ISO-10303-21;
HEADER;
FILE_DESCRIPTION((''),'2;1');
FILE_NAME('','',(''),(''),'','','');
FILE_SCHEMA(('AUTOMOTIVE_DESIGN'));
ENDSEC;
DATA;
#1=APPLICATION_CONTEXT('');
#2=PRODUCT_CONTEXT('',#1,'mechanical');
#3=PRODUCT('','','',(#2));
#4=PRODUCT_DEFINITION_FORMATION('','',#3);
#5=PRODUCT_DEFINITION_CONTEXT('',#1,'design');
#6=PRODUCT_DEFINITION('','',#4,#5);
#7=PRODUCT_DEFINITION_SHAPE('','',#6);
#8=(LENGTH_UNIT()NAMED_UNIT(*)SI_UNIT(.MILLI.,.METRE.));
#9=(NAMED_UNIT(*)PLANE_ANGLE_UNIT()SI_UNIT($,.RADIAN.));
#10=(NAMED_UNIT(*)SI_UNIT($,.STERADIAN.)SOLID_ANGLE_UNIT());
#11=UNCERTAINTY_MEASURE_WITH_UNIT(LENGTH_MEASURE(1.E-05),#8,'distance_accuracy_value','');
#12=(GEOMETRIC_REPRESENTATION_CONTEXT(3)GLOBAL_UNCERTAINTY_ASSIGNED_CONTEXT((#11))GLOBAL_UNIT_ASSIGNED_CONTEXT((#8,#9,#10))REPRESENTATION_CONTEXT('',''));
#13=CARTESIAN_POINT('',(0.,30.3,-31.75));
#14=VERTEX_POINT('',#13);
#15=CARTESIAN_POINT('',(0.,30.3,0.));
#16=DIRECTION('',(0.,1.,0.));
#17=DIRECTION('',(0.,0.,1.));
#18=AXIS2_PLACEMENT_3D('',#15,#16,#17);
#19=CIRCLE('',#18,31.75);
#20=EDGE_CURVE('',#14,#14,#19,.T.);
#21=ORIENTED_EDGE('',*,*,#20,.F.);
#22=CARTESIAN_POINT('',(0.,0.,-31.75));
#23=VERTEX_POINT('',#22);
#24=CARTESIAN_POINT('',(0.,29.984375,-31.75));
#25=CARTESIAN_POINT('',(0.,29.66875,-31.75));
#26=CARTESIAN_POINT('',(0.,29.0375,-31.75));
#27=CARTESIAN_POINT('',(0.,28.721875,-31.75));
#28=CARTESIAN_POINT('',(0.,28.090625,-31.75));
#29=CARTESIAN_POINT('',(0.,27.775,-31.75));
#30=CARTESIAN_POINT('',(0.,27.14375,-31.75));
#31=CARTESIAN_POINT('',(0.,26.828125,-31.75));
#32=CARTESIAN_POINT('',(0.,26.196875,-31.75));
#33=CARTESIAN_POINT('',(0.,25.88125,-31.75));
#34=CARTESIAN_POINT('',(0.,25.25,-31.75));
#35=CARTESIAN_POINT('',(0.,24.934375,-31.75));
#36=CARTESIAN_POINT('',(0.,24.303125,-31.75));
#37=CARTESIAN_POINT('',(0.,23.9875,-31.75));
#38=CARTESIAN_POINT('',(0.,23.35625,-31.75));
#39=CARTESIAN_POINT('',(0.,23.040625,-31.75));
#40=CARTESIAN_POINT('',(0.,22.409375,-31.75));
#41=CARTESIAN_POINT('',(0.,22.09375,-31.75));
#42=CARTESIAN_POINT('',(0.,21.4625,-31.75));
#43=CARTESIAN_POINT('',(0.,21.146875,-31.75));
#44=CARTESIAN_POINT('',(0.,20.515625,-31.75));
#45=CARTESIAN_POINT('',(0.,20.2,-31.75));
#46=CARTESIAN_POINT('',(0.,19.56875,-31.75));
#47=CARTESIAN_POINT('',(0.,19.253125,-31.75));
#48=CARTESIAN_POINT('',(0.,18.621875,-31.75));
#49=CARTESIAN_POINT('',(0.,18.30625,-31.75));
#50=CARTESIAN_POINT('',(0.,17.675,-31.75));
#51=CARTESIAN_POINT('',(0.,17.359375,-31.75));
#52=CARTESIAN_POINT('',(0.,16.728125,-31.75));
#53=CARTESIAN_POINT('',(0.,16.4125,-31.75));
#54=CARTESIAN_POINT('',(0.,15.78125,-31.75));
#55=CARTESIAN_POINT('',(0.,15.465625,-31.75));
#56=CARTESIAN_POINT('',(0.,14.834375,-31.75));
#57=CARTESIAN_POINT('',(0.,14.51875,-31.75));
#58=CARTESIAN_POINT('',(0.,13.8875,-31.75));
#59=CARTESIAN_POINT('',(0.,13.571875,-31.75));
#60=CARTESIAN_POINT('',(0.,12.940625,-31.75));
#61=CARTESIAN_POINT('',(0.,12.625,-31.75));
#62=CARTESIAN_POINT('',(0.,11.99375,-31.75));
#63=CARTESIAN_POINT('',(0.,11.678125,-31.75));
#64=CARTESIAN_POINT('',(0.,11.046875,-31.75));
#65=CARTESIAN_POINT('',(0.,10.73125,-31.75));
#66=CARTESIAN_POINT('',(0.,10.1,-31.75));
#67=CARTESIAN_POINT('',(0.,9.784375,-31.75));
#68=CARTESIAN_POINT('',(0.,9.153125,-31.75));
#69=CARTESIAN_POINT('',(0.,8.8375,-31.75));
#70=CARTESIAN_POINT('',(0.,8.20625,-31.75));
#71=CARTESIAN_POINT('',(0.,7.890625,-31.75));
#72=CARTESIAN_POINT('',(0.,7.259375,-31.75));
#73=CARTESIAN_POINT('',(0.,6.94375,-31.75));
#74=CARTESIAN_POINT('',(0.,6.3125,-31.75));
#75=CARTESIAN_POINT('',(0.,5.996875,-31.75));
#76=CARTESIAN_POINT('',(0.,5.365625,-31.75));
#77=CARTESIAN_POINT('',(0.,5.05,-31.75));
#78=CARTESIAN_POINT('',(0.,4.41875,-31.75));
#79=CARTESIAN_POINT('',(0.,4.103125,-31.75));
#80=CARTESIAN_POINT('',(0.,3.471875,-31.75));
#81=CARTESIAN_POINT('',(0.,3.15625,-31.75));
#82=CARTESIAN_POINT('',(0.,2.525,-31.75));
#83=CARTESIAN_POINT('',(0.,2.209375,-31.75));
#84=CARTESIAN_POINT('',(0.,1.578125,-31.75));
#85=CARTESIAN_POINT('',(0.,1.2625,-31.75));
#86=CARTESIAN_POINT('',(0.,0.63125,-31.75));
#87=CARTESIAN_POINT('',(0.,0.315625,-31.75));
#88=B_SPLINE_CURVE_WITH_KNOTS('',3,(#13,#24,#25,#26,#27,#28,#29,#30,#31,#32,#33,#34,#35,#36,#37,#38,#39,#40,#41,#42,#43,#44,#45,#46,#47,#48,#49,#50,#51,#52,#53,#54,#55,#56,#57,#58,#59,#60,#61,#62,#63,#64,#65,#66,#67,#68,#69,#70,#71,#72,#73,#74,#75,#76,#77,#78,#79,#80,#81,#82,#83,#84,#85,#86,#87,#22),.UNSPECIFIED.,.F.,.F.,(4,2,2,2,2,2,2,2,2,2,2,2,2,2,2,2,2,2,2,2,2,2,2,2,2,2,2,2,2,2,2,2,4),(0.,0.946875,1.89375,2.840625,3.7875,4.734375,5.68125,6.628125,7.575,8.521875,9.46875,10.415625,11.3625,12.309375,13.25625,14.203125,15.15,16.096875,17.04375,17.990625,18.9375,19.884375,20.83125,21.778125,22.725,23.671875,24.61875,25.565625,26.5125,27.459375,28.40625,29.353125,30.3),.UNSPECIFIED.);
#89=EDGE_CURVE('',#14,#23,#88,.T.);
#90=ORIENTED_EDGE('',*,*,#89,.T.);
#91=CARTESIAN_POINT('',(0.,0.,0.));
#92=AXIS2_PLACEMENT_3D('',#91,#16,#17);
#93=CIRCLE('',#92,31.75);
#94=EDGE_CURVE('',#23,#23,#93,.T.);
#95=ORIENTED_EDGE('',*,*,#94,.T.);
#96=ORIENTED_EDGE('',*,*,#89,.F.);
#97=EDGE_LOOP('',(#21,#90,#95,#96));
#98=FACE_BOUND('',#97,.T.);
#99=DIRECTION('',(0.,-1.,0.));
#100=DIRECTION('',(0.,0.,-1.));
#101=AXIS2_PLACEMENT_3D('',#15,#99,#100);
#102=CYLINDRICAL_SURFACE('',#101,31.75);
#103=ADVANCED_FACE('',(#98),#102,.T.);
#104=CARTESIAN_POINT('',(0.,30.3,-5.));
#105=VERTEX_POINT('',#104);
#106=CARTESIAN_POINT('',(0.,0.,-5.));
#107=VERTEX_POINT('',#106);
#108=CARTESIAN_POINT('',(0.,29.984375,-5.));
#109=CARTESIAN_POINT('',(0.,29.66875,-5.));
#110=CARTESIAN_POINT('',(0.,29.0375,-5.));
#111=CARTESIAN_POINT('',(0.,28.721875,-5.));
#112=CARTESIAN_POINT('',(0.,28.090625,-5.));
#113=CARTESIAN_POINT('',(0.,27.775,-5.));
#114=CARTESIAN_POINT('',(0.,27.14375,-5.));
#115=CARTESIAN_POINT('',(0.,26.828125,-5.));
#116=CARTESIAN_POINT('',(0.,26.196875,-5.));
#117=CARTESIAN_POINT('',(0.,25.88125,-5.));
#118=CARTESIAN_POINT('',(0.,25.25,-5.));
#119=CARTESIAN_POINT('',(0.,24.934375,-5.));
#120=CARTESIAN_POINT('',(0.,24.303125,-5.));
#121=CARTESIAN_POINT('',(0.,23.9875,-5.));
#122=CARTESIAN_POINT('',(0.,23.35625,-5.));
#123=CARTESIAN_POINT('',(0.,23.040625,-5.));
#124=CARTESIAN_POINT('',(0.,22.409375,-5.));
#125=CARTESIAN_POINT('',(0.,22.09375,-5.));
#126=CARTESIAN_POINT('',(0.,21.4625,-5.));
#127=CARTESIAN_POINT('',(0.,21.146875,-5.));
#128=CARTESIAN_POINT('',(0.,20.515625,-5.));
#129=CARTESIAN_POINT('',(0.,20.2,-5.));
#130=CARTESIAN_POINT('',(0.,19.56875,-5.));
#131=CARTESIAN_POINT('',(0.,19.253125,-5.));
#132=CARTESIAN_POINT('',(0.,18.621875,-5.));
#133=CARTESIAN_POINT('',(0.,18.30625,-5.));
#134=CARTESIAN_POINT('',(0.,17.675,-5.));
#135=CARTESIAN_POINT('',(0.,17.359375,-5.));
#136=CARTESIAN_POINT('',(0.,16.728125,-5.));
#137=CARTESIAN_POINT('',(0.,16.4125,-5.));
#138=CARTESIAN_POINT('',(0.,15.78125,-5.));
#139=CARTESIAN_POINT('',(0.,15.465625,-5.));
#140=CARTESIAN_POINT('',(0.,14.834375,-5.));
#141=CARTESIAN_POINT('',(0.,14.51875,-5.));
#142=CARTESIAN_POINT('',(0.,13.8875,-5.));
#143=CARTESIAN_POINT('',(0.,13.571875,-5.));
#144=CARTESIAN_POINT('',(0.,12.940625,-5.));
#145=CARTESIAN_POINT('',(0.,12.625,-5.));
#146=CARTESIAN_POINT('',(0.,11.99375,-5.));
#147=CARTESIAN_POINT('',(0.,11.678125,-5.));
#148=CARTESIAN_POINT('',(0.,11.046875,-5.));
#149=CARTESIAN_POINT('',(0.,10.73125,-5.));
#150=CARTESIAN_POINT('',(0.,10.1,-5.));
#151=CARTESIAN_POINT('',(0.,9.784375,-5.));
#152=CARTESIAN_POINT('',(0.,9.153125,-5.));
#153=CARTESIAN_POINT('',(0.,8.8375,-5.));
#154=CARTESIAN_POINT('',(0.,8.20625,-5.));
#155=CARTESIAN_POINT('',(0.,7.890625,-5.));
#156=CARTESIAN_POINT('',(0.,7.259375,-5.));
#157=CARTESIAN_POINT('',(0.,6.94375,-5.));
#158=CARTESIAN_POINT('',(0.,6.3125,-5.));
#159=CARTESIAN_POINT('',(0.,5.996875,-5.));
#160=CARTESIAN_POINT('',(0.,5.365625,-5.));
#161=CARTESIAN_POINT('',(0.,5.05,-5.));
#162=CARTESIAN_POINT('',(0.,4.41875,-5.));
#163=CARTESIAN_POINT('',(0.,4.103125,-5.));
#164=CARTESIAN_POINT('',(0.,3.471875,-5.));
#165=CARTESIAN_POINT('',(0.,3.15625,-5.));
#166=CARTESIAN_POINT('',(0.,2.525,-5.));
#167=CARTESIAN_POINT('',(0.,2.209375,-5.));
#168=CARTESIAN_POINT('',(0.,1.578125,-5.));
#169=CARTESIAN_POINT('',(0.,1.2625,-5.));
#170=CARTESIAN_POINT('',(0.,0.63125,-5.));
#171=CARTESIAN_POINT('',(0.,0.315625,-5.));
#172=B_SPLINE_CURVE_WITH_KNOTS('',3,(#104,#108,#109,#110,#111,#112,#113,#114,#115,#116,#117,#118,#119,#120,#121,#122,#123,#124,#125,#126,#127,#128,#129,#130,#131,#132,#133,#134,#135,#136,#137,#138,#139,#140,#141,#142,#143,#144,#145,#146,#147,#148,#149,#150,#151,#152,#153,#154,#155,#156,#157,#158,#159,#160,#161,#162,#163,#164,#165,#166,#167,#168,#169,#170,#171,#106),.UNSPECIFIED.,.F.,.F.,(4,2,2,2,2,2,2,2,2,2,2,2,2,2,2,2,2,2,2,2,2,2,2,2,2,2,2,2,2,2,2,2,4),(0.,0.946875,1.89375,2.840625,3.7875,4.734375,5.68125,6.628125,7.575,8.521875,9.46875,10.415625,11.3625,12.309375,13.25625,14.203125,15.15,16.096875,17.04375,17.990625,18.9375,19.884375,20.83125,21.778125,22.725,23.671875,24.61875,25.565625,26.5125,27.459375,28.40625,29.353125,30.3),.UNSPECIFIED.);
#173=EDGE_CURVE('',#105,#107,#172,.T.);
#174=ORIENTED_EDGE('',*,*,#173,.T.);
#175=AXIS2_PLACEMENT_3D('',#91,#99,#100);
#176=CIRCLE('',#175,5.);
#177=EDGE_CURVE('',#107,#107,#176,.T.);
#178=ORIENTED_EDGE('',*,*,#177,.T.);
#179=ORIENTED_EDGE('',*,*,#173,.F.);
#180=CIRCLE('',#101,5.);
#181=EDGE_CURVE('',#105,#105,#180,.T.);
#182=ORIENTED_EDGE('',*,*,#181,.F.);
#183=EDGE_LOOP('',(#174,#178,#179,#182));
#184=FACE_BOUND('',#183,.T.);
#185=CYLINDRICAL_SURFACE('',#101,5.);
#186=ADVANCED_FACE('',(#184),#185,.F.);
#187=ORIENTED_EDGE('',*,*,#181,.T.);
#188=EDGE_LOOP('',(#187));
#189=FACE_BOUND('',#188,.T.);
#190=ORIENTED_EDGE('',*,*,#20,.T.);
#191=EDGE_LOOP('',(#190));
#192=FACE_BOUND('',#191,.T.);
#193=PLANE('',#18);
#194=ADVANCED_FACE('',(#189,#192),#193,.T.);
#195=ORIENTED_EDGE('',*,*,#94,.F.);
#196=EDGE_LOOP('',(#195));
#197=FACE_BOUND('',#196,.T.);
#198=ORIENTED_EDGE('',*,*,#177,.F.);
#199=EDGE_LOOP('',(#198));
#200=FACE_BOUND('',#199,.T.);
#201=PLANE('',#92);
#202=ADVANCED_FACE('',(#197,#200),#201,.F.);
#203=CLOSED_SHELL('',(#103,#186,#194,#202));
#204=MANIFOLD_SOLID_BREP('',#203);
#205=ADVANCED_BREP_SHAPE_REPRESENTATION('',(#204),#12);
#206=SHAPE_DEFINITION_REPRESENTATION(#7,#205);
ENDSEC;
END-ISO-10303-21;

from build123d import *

# Parameters (mm, degrees)
SKETCH1_R           = 31.75
BOSS_EXTRUDE1_DEPTH = 30.3
SKETCH2_R           = 5
CUT_EXTRUDE1_DEPTH  = 55.168394844


with BuildPart() as part:
    # Sketch1 → Boss-Extrude1 (new body)
    with BuildSketch(Plane(origin=(0, 0, 0), x_dir=(1, 0, 0), z_dir=(0, 1, 0))):
        with Locations(Location((0, 0, 0), (0, 0, 90))):
            Circle(SKETCH1_R)
    extrude(amount=BOSS_EXTRUDE1_DEPTH)

    # Sketch2 → Cut-Extrude1 (cut, through all)
    with BuildSketch(Plane.XZ):
        with Locations(Location((0, 0, 0), (0, 0, 270))):
            Circle(SKETCH2_R)
    extrude(amount=-CUT_EXTRUDE1_DEPTH, mode=Mode.SUBTRACT)


solid = part.part
